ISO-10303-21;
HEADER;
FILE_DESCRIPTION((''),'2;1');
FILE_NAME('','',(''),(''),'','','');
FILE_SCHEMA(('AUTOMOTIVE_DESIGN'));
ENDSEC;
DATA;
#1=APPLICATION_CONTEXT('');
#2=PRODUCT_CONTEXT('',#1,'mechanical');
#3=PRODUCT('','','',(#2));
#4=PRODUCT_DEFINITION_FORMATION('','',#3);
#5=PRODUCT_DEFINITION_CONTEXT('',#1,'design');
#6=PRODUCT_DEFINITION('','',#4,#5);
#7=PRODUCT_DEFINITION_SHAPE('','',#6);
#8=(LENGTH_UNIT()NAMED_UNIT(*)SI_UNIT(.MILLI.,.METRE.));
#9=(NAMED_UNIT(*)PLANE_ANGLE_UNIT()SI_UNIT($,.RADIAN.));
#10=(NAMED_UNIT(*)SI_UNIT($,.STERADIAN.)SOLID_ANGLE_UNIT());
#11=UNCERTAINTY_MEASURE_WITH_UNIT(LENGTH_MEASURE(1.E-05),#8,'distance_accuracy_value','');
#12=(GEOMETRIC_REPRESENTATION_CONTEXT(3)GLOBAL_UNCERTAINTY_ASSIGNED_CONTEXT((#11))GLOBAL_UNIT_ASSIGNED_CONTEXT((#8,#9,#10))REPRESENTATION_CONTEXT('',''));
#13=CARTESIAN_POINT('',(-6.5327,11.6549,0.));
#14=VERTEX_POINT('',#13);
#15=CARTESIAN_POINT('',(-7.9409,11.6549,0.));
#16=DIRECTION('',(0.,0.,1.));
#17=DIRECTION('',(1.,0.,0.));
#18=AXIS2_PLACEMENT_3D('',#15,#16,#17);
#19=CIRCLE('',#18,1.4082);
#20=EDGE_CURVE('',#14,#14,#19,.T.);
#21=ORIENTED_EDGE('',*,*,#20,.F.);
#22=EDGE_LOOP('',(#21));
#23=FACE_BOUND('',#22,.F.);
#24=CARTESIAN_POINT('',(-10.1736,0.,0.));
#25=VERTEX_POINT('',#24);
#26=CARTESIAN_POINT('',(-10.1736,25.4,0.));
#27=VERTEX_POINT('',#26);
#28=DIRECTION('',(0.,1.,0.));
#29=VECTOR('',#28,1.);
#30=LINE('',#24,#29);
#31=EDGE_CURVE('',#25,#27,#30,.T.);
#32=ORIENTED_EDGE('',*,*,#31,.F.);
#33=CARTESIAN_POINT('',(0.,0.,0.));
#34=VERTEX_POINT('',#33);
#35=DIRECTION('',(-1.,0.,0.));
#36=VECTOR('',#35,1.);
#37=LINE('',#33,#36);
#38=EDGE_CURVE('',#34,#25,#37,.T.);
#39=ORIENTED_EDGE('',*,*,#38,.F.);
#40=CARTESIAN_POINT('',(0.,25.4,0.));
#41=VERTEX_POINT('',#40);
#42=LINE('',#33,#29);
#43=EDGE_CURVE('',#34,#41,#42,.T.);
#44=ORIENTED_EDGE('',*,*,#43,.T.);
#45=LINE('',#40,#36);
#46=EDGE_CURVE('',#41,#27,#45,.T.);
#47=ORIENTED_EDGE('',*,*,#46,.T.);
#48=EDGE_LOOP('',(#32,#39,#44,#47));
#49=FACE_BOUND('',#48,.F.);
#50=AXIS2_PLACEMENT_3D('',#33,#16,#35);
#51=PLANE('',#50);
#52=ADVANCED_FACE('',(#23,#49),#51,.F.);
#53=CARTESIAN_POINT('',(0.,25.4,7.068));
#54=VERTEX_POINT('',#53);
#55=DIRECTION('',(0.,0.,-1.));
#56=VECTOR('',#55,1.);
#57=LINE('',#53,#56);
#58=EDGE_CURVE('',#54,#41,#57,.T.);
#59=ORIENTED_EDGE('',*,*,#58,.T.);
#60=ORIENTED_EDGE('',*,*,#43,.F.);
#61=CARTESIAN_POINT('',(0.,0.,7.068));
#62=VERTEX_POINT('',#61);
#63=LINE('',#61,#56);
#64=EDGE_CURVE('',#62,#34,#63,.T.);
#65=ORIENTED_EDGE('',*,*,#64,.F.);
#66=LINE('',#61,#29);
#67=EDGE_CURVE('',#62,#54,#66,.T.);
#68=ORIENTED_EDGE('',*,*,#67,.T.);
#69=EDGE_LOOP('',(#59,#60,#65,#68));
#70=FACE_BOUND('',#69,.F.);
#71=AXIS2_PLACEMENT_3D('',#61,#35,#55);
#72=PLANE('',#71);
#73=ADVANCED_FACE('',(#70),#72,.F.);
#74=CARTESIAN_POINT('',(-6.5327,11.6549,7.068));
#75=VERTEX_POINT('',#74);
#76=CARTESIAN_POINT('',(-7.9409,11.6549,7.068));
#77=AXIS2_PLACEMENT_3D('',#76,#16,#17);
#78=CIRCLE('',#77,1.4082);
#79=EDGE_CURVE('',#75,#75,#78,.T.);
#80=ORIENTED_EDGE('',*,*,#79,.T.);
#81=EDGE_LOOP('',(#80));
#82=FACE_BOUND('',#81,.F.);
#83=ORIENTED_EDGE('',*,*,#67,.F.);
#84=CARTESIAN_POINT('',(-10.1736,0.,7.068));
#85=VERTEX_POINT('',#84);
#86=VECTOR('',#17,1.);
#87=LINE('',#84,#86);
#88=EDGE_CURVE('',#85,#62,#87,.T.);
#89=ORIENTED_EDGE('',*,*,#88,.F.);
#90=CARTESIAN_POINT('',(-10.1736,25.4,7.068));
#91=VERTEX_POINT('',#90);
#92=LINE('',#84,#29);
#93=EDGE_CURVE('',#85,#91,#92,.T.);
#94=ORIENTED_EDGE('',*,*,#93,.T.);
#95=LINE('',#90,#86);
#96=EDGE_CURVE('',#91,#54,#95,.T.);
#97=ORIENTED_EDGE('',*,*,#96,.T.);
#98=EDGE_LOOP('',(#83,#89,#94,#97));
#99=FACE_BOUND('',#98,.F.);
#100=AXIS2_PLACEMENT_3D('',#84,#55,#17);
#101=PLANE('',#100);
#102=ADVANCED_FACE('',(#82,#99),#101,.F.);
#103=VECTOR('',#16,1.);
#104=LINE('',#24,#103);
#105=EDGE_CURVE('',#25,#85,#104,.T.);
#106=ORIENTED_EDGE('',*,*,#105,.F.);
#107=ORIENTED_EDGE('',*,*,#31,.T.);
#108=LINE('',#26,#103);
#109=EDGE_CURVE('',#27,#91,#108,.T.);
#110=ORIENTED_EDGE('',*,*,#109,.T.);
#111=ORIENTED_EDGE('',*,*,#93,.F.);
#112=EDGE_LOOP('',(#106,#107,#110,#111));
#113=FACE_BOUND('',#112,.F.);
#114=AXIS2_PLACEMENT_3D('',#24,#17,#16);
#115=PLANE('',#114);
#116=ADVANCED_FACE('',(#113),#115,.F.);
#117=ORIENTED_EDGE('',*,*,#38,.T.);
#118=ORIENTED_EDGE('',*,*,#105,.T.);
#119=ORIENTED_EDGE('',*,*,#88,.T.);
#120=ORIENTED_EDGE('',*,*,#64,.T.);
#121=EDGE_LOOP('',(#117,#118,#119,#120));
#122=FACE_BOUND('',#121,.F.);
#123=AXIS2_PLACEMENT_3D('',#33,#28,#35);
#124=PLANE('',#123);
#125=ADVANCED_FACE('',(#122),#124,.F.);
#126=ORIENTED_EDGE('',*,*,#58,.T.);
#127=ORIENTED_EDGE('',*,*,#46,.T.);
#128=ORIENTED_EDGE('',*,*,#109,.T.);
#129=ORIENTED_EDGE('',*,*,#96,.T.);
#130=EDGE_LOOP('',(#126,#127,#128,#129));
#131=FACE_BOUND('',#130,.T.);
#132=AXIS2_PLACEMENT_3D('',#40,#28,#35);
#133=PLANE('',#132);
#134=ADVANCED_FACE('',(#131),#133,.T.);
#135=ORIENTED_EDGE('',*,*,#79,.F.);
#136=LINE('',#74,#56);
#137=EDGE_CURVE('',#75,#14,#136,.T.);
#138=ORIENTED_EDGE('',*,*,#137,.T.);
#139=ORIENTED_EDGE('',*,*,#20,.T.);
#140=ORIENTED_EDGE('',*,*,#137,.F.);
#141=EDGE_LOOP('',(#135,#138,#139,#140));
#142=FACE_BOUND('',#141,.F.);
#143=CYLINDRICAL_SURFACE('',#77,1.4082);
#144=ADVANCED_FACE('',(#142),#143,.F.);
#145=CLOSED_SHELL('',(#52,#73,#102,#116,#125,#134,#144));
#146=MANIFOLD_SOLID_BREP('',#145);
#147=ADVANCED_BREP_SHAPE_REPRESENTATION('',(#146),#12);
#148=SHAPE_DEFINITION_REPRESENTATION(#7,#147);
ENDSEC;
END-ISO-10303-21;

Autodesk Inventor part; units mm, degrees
ref_plane "YZ Plane" through (0, 0, 0) normal (1, 0, 0) x (0, 1, 0)
ref_plane "XZ Plane" through (0, 0, 0) normal (0, 1, 0) x (-1, 0, 0)
ref_plane "XY Plane" through (0, 0, 0) normal (0, 0, 1) x (1, 0, 0)
sketch "Sketch1" plane through (0, 0, 0) normal (0, 1, 0) x (-1, 0, 0)
  line L0 (0, 0) -> (10.1736, 0)
  line L1 (10.1736, 0) -> (10.1736, 7.068)
  line L2 (10.1736, 7.068) -> (0, 7.068)
  line L3 (0, 7.068) -> (0, 0)
extrude "Extrusion1" add sketch "Sketch1" along normal blind 25.4
sketch "Sketch2" plane through (-10.1736, 0, 7.068) normal (0, 0, 1) x (1, 0, 0)
  point P0 (10.1736, 0)
sketch "Sketch3" plane through (-10.1736, 0, 7.068) normal (0, 0, 1) x (1, 0, 0)
  circle A0 centre (2.2327, 11.6549) radius 1.4082
  point P0 (10.1736, 0)
extrude "Extrusion2" cut sketch "Sketch3" against normal blind 25.4
properties part number "200515"
